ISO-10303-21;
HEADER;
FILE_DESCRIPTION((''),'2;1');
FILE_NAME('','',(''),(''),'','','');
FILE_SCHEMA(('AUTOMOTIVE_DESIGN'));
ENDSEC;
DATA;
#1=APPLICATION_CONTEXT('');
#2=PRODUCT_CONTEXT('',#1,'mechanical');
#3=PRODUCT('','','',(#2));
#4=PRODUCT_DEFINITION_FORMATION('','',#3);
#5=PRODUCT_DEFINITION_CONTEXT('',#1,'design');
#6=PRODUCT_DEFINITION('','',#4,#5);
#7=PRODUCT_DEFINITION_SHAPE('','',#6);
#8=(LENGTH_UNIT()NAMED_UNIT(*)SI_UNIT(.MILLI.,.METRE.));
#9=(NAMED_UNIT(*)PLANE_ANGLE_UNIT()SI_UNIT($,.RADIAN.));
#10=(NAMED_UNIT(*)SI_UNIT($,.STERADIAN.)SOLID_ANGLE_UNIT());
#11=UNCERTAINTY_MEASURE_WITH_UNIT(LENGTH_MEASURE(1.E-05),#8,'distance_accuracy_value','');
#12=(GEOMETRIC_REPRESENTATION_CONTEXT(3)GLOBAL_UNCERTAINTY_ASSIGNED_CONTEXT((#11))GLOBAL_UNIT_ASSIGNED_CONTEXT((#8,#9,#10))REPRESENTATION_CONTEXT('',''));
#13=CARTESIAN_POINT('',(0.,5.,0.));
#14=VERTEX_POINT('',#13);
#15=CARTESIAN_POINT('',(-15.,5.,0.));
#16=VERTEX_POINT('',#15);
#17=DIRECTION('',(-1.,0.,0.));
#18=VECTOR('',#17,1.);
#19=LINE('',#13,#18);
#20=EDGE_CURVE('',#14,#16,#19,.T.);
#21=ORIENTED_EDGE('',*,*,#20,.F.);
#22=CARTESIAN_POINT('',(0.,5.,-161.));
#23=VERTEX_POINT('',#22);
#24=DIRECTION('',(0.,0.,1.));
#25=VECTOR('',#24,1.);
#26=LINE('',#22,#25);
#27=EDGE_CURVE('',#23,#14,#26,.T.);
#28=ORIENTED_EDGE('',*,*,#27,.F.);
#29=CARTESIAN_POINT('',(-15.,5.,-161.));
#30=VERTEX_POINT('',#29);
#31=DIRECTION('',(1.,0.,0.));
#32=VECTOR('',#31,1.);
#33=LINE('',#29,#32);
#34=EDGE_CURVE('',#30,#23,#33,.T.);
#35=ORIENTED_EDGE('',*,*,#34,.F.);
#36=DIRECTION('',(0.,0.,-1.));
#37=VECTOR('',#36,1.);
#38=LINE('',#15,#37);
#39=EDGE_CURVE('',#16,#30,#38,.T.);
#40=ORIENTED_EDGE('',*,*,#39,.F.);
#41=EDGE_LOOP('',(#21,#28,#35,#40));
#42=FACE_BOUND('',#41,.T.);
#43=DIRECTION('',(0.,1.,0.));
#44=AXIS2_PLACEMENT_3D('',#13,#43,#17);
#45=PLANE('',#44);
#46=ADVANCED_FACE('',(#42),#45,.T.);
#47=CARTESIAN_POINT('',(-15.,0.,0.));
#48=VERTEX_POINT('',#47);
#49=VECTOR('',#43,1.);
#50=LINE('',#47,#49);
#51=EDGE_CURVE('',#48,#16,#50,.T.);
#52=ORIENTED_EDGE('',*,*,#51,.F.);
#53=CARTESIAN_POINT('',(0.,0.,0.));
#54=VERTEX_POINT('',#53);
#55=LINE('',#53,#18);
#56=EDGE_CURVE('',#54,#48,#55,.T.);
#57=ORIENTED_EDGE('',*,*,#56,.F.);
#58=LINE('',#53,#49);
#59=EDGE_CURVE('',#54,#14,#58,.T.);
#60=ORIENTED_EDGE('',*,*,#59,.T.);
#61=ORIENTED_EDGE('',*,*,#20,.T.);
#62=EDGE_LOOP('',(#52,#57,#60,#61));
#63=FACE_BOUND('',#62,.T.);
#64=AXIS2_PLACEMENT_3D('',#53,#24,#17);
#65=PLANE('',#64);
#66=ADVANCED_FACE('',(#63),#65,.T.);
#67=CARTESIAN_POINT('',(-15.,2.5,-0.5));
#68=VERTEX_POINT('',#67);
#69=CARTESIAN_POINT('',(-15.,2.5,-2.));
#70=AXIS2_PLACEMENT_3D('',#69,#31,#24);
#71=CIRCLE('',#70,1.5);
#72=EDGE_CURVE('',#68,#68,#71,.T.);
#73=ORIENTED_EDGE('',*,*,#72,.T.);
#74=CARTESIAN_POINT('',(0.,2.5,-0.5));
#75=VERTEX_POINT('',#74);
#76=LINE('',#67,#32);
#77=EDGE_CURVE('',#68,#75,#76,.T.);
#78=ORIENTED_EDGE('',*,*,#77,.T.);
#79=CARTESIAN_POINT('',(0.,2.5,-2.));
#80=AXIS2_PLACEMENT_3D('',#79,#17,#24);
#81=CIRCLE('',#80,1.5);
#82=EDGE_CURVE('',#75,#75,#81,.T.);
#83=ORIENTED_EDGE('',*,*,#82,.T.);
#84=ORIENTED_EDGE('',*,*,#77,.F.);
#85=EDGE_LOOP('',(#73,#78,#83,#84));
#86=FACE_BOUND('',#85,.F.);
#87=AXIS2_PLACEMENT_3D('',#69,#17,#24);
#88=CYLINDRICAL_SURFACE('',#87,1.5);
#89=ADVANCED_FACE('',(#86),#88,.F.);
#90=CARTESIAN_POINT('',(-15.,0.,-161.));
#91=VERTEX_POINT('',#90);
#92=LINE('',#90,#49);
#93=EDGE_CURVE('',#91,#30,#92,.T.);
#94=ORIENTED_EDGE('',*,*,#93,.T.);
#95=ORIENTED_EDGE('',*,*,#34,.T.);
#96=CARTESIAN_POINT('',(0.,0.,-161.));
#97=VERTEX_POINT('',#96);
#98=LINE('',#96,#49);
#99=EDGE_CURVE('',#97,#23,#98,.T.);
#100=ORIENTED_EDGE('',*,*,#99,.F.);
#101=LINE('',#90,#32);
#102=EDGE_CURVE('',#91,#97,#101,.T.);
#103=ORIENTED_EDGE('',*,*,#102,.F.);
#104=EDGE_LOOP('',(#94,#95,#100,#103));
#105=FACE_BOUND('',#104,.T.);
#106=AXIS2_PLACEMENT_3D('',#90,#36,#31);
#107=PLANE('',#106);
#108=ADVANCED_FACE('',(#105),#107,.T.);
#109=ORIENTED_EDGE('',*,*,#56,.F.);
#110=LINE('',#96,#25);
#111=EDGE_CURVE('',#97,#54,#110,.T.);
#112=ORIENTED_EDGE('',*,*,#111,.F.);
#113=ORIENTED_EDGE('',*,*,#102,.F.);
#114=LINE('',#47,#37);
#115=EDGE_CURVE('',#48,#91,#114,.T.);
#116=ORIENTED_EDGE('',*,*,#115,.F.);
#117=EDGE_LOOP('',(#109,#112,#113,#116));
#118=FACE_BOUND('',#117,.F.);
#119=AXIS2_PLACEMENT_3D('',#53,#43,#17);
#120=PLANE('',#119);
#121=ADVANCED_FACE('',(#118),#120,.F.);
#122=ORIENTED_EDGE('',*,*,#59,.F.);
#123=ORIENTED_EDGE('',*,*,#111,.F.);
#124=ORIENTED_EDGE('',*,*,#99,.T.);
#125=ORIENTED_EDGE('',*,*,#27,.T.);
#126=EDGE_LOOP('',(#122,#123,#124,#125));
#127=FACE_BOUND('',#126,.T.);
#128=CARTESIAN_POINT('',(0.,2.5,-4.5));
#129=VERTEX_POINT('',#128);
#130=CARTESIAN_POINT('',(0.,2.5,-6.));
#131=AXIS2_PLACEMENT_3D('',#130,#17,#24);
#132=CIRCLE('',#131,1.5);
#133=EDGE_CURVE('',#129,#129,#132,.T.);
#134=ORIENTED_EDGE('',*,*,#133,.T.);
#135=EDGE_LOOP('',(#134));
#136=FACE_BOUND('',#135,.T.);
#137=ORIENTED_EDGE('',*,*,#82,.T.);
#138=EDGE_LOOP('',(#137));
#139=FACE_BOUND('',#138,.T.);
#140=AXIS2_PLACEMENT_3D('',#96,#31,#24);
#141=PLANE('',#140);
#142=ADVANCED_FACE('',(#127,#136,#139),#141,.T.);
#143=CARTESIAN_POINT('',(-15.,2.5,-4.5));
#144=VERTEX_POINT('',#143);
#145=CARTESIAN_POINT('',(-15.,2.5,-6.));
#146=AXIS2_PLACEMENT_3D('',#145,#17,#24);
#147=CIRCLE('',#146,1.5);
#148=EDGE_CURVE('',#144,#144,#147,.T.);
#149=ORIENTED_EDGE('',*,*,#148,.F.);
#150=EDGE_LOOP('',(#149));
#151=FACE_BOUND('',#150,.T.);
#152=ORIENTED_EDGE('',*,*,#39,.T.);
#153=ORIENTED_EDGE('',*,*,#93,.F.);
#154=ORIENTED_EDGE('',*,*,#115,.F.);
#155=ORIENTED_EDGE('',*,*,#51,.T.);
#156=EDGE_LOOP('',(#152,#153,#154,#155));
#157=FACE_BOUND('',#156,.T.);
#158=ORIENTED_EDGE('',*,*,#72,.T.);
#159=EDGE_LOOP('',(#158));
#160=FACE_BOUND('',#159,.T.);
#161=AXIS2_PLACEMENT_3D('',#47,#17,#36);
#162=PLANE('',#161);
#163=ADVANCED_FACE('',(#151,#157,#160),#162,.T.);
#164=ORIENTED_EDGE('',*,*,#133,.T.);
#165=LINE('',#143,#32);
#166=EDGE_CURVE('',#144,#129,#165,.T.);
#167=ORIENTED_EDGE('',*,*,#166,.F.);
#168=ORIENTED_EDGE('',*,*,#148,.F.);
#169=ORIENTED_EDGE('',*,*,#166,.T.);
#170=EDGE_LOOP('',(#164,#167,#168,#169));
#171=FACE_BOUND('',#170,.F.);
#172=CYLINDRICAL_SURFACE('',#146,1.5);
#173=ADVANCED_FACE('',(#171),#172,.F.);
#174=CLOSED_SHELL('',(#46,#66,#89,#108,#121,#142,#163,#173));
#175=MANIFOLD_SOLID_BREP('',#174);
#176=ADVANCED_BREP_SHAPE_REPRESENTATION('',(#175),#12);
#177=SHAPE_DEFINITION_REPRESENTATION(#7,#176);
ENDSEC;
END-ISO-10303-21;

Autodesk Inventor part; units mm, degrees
ref_plane "YZ Plane" through (0, 0, 0) normal (1, 0, 0) x (0, 1, 0)
ref_plane "XZ Plane" through (0, 0, 0) normal (0, 1, 0) x (-1, 0, 0)
ref_plane "XY Plane" through (0, 0, 0) normal (0, 0, 1) x (1, 0, 0)
sketch "草图1" plane through (0, 0, 0) normal (0, 1, 0) x (-1, 0, 0)
  line L0 (0, 0) -> (15, 0)
  line L1 (15, 0) -> (15, -161)
  line L2 (15, -161) -> (0, -161)
  line L3 (0, -161) -> (0, 0)
  dimension "d0" = 161
  dimension "d1" = 15
extrude "拉伸1" add sketch "草图1" along normal blind 5
sketch "草图2" plane through (-15, 0, -161) normal (-1, 0, 0) x (0, 0, 1)
  line L0 (161, 0) -> (161, 5) projected
  line L1 (161, 2.5) -> (159, 2.5)
  circle A0 centre (159, 2.5) radius 1.5
  line L2 (159, 2.5) -> (155, 2.5)
  circle A1 centre (155, 2.5) radius 1.5
  dimension "d4" = 2
  dimension "d5" = 3
  dimension "d6" = 4
  dimension "d7" = 3
extrude "拉伸2" cut sketch "草图2" against normal through all
equation "\"折弯半径\" = 厚度"
equation "\"折弯释压宽度\" = 厚度"
equation "\"折弯释压深度\" = 0.5 * 厚度"
equation "\"拐角释压尺寸\" = 4 * 厚度"
equation "\"最小余量\" = 2 * 厚度"
equation "\"过渡半径\" = 折弯半径"
equation "\"Jacobi半径尺寸\" = 折弯半径"
equation "\"间隙大小\" = 厚度"
equation "\"厚度\" = 0.5"
properties part number "123"
